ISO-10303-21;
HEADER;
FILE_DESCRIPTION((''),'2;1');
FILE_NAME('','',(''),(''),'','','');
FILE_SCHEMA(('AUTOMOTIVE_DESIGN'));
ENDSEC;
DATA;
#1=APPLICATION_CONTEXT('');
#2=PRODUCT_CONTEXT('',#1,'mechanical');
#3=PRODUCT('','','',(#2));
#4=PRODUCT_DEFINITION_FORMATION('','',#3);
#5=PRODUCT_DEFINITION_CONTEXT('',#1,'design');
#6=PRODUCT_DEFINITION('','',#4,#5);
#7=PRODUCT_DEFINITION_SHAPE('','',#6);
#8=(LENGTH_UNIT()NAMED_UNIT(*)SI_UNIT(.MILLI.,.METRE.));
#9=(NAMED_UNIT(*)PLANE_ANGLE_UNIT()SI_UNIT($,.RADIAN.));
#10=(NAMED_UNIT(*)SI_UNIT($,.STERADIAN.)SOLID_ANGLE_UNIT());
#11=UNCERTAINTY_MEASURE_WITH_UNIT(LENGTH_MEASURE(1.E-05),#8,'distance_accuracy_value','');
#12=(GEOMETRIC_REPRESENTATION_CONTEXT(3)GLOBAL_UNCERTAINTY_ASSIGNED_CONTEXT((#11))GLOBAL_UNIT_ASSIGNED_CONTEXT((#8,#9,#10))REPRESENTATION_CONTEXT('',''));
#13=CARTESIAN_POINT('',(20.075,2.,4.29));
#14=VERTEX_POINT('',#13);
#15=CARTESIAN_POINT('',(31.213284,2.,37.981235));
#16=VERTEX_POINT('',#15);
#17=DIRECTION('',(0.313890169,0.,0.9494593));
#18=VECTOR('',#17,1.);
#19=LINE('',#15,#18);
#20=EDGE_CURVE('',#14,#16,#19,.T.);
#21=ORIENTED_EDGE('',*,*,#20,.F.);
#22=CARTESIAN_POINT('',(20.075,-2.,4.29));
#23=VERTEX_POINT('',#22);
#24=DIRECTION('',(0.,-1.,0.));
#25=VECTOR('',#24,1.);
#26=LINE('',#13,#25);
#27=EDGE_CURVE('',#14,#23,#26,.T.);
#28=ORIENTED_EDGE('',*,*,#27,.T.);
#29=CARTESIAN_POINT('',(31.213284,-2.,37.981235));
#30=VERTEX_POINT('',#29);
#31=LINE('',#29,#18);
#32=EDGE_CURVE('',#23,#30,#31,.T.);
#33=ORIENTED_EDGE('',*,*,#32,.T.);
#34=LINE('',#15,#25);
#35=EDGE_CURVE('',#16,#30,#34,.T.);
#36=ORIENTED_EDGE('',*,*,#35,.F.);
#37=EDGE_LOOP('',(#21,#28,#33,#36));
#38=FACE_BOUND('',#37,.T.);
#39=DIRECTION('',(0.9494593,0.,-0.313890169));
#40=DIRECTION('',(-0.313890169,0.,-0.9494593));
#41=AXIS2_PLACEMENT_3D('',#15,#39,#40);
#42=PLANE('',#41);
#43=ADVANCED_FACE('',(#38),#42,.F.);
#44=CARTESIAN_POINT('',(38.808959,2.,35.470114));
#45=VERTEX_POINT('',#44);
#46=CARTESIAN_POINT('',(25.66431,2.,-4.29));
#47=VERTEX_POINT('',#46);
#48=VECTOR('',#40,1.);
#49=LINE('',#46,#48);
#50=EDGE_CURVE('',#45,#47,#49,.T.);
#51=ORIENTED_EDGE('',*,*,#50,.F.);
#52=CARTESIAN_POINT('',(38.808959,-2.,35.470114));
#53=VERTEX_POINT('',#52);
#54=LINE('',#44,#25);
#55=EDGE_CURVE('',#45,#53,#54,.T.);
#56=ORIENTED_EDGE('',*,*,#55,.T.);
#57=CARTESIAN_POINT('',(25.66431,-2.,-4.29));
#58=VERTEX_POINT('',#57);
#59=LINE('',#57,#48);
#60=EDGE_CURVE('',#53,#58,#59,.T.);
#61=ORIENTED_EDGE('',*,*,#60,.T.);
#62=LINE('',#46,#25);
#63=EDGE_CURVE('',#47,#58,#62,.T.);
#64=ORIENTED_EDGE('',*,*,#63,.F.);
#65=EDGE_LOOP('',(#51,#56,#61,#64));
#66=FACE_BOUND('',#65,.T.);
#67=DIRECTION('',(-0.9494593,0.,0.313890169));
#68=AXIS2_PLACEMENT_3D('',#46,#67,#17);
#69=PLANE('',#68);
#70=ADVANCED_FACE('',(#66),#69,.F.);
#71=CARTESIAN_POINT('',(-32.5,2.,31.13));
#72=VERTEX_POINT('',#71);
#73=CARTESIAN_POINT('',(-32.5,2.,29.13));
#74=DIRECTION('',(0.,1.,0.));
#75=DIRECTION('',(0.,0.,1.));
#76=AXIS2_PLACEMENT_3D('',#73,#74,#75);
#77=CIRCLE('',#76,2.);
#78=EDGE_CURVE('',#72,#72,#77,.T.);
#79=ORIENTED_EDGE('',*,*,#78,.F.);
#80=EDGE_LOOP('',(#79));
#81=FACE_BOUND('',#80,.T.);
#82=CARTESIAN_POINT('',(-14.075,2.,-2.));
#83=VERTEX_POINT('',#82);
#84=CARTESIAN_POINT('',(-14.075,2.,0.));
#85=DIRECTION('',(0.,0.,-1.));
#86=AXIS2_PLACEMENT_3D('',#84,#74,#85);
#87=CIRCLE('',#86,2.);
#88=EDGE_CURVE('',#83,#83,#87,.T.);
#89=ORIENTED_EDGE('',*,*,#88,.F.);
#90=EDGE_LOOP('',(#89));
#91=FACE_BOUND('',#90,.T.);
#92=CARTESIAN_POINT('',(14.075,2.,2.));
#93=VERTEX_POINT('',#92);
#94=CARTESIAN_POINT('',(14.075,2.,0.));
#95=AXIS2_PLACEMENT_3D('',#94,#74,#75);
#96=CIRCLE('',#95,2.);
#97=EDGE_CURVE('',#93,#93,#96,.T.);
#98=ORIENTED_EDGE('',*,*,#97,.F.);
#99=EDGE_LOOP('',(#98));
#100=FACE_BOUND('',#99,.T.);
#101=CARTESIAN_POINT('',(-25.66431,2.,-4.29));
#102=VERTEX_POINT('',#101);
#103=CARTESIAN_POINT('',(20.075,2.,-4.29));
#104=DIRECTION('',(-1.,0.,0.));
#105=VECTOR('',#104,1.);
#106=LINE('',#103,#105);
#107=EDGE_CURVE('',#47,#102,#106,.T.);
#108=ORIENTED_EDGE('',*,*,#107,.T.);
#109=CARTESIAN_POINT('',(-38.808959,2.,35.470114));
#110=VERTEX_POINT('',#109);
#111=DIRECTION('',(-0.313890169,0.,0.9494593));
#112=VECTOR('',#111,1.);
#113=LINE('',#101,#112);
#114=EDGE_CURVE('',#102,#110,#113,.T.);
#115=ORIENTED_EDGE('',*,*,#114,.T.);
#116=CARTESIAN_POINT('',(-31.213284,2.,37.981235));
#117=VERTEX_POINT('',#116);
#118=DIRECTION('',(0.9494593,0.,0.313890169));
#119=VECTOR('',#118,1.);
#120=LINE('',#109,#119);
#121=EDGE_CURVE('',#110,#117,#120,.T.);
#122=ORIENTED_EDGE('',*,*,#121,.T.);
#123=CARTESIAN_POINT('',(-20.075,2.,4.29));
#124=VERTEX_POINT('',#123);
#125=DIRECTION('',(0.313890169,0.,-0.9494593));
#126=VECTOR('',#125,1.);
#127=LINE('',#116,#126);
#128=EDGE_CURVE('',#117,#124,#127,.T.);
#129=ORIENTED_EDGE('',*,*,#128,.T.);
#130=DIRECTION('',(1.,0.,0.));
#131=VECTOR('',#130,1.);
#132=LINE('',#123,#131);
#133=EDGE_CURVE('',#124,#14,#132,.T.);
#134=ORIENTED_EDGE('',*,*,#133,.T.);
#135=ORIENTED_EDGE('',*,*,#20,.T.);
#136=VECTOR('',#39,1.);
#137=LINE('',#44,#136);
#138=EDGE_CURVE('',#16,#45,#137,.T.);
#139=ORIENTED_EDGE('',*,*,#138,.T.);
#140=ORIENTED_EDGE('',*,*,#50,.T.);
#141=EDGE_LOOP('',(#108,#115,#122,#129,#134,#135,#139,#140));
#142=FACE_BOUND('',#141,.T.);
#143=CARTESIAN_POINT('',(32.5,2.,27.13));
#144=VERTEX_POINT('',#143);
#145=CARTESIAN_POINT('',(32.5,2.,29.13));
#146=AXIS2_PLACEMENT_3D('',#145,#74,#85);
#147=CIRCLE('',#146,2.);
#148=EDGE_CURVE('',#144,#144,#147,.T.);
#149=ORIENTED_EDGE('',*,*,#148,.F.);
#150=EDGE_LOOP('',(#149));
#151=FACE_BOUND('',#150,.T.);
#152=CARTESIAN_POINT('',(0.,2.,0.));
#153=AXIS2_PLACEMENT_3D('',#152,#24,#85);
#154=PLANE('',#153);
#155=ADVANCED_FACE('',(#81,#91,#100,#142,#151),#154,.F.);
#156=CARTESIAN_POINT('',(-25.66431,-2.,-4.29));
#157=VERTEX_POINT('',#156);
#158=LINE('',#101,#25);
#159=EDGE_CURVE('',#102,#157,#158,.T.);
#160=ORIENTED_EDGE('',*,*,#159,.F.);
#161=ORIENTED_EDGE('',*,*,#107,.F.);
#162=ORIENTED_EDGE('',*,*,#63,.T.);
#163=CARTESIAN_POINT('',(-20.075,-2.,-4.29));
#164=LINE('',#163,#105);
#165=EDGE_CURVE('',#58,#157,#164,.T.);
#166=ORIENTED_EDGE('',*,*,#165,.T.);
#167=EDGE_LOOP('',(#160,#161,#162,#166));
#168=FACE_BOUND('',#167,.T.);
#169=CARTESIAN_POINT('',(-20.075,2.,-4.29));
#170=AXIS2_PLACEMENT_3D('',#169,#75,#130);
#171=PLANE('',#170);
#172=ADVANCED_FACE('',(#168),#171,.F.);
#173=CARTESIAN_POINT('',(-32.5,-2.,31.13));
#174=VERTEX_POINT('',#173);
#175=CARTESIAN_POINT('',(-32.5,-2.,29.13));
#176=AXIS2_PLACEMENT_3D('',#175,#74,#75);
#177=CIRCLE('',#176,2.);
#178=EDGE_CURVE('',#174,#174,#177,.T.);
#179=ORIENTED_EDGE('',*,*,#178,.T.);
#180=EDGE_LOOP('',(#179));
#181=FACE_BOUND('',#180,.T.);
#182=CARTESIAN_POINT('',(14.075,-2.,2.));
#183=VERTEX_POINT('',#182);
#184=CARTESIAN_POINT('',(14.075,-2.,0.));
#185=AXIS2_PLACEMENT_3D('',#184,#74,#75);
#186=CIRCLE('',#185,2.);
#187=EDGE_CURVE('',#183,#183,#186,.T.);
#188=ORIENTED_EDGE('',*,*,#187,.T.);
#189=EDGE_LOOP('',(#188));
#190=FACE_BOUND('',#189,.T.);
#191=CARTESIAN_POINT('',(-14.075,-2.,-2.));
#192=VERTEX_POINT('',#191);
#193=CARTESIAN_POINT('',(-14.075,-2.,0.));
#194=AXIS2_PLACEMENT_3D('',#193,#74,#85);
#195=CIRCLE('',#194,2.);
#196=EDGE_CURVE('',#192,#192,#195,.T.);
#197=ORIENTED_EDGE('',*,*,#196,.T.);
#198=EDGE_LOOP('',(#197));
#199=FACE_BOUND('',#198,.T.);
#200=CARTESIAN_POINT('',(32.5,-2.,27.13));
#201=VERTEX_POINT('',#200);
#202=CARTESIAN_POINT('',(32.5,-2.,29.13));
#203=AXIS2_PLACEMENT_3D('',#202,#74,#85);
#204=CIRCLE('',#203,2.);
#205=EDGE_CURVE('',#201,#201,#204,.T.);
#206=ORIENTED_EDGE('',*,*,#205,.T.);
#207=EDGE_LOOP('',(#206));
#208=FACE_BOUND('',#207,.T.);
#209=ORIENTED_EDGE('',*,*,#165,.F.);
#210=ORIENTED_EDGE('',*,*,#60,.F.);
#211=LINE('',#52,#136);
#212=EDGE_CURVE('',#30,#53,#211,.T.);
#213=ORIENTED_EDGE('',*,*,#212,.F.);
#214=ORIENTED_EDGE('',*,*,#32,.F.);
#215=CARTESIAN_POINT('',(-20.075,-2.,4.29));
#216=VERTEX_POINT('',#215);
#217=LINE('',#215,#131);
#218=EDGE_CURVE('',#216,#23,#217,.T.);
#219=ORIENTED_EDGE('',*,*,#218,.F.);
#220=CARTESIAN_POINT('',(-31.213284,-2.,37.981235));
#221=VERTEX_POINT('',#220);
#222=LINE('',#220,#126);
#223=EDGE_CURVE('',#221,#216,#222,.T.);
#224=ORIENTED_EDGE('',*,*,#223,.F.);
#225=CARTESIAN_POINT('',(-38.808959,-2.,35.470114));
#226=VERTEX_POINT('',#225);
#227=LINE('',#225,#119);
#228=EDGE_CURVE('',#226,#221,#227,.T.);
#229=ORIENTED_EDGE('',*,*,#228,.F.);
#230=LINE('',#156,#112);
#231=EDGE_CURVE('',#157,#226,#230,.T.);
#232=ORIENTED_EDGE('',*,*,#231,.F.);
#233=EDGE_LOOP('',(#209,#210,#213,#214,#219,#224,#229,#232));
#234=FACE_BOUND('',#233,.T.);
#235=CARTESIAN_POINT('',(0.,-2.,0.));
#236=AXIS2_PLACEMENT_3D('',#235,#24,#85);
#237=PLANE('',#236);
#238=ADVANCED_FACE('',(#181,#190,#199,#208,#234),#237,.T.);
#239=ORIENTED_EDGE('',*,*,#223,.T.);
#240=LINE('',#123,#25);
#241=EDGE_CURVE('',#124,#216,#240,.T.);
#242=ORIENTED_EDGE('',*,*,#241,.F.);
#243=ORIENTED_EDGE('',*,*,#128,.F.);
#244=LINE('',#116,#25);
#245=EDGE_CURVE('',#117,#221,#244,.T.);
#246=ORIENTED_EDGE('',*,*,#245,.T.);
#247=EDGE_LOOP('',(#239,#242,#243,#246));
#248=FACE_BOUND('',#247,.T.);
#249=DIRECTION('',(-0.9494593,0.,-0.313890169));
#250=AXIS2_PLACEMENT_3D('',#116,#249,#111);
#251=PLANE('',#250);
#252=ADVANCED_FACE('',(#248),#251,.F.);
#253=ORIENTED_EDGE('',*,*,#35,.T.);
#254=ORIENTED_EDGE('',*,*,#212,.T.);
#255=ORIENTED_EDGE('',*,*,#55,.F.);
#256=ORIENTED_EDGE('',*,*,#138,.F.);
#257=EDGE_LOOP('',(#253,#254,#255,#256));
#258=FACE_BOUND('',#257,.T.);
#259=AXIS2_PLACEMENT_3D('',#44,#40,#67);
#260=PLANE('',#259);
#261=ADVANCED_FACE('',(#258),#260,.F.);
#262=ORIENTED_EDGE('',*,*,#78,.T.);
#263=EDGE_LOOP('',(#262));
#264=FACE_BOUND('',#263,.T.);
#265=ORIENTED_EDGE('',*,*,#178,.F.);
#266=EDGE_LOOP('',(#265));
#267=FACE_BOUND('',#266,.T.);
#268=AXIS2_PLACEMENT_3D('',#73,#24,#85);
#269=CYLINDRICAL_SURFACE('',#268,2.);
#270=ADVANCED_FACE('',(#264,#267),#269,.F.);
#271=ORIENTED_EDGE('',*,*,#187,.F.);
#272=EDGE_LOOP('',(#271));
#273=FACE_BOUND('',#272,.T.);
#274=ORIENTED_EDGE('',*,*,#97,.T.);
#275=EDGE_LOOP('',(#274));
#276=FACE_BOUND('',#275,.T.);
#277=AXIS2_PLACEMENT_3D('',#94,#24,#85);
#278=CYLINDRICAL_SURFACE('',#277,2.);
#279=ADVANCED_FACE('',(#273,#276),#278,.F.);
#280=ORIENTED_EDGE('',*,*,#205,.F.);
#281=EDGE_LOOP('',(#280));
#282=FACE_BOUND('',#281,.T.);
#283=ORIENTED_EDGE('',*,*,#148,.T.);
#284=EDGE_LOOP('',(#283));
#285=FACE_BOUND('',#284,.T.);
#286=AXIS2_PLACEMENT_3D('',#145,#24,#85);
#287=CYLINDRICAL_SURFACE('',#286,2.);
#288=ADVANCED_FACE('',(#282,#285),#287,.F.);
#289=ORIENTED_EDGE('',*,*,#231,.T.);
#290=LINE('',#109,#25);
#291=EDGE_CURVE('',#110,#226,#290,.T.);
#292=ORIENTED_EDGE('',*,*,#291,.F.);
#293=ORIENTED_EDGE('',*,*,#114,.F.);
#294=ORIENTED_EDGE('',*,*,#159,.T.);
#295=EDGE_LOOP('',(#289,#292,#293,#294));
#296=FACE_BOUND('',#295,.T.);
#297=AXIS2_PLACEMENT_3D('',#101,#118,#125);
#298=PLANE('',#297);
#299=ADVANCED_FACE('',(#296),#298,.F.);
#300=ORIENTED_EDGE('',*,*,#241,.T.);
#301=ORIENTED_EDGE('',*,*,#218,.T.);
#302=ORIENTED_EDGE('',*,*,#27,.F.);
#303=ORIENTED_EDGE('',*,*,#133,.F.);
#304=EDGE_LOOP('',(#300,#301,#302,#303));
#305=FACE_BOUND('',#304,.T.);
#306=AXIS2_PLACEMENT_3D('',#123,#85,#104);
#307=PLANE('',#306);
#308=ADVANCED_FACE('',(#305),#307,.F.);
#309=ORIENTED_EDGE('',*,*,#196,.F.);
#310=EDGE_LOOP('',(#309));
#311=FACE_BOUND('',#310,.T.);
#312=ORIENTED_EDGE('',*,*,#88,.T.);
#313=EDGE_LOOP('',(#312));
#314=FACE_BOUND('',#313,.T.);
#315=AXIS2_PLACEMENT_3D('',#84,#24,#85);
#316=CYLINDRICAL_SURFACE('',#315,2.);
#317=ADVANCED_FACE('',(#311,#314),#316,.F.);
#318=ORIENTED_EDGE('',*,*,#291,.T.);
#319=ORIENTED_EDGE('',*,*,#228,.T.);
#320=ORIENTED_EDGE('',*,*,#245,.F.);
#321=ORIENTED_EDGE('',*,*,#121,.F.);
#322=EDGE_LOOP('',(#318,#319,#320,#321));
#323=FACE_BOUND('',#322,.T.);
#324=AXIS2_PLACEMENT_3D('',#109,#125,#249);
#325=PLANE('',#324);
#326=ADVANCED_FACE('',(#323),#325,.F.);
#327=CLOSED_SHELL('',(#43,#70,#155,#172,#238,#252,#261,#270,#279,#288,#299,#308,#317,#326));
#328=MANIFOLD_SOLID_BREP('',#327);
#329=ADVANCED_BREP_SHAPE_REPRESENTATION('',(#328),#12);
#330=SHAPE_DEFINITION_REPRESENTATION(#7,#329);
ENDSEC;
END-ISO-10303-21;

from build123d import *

# Parameters (mm, degrees)
SKETCH1_R           = 2
BOSS_EXTRUDE1_DEPTH = 2


with BuildPart() as part:
    # Sketch1 → Boss-Extrude1 (new, symmetric)
    with BuildSketch(Plane(origin=(0, 0, 0), x_dir=(1, 0, 0), z_dir=(0, 1, 0))):
        Polygon((-20.075, -4.29), (20.075, -4.29), (31.213284153, -37.981235074), (38.808958551, -35.470113721), (25.664309991, 4.29), (20.075, 4.29), (-20.075, 4.29), (-25.664309991, 4.29), (-38.808958551, -35.470113721), (-31.213284153, -37.981235074), align=None)
        with Locations(Location((14.075, 0, 0), (0, 0, 270))):
            Circle(SKETCH1_R, mode=Mode.SUBTRACT)
        with Locations(Location((-14.075, 0, 0), (0, 0, 90))):
            Circle(SKETCH1_R, mode=Mode.SUBTRACT)
        with Locations(Location((-32.5, -29.13, 0), (0, 0, 270))):
            Circle(SKETCH1_R, mode=Mode.SUBTRACT)
        with Locations(Location((32.5, -29.13, 0), (0, 0, 90))):
            Circle(SKETCH1_R, mode=Mode.SUBTRACT)
    extrude(amount=BOSS_EXTRUDE1_DEPTH, both=True)


solid = part.part
